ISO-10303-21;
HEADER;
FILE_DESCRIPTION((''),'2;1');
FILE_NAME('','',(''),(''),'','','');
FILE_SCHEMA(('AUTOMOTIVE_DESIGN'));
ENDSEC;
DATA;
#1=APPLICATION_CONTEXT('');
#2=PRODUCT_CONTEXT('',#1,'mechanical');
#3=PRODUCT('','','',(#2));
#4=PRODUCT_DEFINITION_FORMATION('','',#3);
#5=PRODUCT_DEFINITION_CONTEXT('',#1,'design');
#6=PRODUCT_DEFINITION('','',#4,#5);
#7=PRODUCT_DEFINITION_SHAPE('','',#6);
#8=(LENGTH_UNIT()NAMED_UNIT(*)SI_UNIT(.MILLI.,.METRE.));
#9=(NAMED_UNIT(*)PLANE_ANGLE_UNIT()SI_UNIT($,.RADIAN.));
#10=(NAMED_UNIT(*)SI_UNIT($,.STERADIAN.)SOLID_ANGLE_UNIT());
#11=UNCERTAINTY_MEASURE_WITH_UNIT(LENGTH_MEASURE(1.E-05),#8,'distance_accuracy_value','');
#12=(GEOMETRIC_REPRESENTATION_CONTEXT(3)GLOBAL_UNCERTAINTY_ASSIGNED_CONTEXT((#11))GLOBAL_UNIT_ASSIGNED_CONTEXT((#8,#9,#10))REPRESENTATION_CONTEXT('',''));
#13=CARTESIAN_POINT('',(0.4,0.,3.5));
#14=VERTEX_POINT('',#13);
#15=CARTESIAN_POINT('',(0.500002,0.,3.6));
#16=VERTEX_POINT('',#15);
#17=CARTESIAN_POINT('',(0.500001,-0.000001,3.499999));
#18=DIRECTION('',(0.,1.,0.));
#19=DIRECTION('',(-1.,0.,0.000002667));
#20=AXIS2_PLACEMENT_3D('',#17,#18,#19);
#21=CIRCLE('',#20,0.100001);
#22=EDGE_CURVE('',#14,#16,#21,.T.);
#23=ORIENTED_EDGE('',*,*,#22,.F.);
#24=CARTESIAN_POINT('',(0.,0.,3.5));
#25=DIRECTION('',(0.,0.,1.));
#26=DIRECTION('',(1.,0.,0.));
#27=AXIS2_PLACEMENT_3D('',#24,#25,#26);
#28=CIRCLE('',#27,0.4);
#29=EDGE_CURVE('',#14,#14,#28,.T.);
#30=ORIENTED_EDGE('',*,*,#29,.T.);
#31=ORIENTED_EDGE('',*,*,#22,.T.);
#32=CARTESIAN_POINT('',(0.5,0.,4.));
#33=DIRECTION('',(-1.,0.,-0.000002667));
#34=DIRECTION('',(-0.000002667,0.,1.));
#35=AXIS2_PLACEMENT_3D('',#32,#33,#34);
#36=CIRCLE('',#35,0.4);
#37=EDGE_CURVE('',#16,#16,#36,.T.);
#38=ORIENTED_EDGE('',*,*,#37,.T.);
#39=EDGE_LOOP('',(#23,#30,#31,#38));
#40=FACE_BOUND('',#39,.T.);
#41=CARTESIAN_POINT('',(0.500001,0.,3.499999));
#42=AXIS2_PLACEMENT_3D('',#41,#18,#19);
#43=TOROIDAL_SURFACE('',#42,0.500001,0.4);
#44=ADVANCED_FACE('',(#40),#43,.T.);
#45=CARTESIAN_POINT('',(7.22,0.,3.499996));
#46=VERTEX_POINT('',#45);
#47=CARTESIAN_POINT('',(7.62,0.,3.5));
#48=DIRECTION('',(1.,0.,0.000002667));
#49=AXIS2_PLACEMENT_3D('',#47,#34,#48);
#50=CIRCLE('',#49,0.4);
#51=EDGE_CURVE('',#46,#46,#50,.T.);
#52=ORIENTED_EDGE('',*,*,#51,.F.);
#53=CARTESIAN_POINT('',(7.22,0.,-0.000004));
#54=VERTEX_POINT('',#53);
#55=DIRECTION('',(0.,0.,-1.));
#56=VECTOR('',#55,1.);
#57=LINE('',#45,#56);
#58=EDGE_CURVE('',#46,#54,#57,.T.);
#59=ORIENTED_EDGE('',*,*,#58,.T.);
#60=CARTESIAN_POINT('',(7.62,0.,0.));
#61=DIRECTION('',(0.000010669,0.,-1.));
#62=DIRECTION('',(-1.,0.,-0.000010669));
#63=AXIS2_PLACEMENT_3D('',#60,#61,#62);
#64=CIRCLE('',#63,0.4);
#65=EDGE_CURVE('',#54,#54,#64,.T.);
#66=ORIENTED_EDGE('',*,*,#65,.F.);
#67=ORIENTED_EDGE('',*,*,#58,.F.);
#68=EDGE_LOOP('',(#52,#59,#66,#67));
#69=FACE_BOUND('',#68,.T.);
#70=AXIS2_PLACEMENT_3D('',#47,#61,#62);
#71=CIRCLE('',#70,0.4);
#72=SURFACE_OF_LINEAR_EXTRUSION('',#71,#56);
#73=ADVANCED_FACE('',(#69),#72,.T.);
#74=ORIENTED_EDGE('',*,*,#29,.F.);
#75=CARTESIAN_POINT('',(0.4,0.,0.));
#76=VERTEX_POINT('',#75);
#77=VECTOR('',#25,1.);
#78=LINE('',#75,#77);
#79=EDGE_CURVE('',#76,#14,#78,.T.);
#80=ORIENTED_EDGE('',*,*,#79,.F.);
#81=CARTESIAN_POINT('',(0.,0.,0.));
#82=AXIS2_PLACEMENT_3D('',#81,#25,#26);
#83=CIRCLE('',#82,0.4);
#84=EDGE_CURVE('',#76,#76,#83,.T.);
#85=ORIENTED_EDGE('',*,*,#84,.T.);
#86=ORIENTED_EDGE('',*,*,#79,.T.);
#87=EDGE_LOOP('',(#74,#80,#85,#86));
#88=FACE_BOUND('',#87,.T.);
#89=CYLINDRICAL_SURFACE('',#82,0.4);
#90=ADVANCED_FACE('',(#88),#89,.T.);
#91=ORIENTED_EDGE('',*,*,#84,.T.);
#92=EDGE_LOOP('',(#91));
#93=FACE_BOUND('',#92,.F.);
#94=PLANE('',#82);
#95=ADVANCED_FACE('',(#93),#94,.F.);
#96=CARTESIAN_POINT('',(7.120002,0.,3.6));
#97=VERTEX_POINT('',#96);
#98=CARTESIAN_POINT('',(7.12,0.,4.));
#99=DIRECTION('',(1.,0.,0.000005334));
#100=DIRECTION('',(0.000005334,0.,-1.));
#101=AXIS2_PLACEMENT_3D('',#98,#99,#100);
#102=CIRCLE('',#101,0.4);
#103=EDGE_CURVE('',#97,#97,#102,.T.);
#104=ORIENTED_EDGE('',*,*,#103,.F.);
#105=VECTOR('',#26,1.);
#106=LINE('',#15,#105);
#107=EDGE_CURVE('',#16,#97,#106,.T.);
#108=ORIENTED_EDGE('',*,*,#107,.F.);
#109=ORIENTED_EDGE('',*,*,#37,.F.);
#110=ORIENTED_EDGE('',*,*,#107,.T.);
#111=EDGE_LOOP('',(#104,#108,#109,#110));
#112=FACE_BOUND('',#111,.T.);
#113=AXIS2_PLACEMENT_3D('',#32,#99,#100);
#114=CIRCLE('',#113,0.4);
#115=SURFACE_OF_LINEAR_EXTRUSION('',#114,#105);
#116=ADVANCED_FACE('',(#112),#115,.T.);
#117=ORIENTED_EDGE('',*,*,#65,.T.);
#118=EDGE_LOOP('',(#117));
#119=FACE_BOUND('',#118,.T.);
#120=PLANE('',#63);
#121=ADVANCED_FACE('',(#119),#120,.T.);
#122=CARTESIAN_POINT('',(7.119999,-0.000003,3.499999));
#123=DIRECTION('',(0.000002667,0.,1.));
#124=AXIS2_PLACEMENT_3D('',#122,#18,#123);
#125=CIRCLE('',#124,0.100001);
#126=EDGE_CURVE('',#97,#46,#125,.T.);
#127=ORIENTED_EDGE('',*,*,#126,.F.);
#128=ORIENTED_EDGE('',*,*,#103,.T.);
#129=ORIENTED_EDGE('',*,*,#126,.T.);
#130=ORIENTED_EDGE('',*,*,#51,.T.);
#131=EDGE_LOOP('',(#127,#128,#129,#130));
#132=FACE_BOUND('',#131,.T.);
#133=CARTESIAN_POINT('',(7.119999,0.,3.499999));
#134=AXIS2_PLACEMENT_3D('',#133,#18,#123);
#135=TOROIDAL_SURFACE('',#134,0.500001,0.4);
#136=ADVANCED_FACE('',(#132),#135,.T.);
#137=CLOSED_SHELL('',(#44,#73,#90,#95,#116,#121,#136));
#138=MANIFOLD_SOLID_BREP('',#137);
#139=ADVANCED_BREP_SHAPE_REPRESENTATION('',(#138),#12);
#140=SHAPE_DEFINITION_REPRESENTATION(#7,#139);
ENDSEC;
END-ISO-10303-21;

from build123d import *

# Parameters (mm, degrees)
SKETCH_R = 0.4


with BuildPart() as part:
    # AdditivePipe: sweep along a path in Sketch001
    with BuildLine(Plane.XZ) as additivepipe_path:
        Line((0, 0), (0, 3.5))
        ThreePointArc((0, 3.5), (0.146447, 3.853553), (0.5, 4))
        Line((0.5, 4), (7.12, 4))
        ThreePointArc((7.12, 4), (7.473553, 3.853553), (7.62, 3.5))
        Line((7.62, 3.5), (7.62, 0))
    # Sketch → AdditivePipe (sweep)
    with BuildSketch(Plane.XY):
        Circle(SKETCH_R)
    sweep(path=additivepipe_path.line)


solid = part.part
